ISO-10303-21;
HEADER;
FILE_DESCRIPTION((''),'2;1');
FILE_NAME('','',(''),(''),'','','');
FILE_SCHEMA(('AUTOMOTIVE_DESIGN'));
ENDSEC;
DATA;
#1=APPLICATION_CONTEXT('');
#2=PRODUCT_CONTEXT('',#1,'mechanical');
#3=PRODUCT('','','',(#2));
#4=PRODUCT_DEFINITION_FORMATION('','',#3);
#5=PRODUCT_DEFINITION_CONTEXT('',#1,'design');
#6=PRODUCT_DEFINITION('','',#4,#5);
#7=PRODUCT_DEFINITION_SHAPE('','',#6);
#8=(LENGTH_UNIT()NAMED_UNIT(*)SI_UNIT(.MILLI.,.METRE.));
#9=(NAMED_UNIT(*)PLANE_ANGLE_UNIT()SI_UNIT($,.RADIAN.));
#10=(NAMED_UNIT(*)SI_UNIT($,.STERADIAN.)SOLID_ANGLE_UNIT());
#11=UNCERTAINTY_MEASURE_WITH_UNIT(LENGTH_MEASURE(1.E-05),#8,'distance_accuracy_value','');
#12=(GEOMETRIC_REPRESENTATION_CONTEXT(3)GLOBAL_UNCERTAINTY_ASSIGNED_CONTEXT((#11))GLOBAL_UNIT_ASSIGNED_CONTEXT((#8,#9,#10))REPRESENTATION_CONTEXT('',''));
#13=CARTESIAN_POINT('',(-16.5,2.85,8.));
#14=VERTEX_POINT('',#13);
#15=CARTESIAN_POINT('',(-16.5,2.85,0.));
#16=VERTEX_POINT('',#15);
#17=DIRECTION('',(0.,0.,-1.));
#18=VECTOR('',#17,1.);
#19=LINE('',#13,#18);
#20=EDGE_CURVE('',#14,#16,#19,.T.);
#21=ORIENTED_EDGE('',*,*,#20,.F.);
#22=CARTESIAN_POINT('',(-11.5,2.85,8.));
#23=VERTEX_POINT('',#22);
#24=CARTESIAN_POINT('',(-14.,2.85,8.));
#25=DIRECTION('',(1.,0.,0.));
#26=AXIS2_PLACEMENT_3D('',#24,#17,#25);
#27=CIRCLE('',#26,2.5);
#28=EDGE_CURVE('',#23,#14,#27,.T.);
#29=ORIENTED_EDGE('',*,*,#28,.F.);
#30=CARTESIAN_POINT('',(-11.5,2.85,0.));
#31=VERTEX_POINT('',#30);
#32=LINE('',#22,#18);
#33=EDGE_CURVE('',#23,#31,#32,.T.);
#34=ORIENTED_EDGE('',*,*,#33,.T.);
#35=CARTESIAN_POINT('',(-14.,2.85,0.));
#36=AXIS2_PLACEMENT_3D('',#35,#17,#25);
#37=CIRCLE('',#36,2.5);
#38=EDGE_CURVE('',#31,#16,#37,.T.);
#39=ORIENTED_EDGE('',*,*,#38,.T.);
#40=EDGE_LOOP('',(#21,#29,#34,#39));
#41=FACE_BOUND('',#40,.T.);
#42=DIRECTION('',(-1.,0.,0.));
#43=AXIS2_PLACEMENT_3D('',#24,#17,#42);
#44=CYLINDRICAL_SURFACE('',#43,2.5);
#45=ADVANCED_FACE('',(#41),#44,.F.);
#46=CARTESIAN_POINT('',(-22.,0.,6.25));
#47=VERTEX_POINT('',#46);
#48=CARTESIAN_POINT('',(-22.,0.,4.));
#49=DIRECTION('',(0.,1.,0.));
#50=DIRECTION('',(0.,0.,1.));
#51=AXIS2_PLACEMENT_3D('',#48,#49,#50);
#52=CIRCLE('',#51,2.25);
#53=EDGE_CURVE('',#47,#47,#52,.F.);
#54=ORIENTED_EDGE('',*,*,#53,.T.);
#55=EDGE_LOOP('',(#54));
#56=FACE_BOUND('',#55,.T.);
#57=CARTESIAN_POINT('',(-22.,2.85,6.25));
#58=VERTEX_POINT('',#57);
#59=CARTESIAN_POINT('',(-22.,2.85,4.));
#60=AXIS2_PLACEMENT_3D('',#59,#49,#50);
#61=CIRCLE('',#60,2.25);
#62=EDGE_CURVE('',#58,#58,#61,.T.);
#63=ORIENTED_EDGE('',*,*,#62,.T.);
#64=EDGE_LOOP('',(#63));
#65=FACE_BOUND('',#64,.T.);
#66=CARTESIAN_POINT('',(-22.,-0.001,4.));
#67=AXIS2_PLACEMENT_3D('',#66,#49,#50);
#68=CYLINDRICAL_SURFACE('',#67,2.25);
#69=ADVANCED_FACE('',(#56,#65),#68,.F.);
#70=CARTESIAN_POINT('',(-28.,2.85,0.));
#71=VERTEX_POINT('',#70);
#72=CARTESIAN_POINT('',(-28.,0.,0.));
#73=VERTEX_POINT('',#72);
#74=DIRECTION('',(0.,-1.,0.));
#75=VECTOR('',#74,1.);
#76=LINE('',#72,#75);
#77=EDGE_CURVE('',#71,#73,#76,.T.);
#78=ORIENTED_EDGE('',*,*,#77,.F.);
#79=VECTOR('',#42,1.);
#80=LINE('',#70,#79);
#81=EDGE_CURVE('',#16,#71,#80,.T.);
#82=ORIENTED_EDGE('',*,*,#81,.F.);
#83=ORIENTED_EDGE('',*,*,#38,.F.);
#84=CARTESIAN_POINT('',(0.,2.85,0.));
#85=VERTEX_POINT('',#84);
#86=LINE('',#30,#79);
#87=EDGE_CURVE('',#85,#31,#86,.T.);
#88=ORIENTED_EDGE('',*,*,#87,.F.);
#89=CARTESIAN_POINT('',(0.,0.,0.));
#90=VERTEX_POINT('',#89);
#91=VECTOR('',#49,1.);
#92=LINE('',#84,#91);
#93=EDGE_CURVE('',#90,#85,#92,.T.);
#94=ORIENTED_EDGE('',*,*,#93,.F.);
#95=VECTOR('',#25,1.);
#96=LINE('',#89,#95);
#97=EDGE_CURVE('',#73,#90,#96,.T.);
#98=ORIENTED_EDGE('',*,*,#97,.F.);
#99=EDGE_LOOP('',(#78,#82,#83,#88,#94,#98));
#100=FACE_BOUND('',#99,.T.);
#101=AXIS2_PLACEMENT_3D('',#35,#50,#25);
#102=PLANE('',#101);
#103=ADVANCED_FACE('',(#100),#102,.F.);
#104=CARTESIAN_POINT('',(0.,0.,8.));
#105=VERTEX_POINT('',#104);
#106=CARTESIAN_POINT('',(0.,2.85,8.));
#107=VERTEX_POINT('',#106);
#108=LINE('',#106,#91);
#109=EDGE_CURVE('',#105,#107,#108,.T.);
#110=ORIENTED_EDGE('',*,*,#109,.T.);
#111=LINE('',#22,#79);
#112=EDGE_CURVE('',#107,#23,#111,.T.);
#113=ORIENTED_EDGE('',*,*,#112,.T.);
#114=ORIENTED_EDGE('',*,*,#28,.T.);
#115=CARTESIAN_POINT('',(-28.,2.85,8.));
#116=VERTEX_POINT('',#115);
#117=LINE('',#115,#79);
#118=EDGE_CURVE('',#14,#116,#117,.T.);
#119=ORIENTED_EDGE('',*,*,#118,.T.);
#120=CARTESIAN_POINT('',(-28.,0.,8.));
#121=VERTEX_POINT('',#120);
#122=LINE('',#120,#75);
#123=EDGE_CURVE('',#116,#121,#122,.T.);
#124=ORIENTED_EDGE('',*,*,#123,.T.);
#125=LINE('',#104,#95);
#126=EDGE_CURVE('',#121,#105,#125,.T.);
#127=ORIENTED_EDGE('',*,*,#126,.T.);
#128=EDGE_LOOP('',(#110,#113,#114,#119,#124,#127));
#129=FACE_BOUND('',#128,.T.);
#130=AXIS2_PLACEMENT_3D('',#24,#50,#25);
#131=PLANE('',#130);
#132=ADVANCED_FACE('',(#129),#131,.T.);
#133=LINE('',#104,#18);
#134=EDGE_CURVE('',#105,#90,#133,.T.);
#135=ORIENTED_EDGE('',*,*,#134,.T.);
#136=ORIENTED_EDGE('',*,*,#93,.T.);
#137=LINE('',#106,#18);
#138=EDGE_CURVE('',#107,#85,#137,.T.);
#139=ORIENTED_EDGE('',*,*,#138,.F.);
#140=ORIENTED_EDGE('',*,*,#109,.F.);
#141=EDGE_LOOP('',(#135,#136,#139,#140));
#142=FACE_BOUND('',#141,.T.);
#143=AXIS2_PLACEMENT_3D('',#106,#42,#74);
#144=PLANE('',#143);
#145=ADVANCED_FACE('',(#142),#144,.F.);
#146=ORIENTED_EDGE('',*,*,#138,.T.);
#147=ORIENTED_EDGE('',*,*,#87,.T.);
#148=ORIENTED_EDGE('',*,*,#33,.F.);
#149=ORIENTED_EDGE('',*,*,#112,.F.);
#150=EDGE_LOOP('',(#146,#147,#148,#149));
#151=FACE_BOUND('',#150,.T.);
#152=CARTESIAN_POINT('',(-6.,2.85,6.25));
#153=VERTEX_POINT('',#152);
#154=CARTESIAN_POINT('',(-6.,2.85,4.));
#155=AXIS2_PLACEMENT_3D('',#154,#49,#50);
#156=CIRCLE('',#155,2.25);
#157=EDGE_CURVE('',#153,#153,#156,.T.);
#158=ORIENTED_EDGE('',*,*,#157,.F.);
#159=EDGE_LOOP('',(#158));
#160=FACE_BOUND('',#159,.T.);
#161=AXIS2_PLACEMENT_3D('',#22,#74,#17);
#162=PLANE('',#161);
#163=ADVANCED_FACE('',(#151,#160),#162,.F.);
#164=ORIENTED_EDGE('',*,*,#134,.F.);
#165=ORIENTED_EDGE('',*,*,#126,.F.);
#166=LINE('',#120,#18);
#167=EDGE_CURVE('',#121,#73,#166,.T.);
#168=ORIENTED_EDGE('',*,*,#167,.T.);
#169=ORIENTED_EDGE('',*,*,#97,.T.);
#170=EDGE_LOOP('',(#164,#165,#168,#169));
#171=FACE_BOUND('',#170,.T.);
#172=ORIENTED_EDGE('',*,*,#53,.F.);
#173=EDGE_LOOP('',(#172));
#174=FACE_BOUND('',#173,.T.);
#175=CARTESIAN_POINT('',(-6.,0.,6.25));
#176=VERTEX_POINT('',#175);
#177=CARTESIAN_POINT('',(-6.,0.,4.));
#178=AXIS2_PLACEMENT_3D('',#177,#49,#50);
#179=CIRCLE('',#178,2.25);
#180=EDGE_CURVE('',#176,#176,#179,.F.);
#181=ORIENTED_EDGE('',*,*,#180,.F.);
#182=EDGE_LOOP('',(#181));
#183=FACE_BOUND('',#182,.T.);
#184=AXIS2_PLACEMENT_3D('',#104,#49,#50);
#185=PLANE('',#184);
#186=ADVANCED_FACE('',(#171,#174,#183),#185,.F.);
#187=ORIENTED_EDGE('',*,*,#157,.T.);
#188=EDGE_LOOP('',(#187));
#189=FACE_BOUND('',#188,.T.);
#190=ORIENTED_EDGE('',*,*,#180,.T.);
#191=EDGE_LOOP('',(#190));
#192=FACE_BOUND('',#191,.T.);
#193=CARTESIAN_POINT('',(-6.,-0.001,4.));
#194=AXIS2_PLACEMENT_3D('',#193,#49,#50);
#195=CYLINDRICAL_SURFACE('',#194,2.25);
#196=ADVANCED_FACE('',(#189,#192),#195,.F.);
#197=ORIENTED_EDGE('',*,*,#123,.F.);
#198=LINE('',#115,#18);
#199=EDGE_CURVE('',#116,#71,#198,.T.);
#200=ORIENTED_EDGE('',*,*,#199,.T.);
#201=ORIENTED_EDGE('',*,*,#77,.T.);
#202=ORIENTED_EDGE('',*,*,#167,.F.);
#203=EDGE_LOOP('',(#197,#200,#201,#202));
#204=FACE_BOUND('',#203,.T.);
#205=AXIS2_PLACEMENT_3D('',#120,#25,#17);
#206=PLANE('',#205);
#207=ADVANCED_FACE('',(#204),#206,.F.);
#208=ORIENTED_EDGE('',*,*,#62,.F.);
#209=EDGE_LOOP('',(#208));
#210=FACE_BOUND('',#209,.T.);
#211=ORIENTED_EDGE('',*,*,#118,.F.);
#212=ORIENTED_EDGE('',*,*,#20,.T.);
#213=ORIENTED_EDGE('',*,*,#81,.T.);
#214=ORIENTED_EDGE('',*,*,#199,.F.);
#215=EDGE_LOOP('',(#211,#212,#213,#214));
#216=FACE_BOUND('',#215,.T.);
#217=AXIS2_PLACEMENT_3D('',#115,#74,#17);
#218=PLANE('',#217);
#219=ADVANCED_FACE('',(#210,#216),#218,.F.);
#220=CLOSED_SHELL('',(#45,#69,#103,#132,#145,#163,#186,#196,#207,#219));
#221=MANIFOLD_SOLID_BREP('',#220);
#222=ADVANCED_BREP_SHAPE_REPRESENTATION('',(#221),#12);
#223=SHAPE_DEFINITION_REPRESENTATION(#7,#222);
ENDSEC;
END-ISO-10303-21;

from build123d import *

# Parameters (mm, degrees)
BOSS_EXTRUDE1_DEPTH = 8
CUT_EXTRUDE1_REACH  = 31.26
SKETCH2_R           = 2.25


with BuildPart() as part:
    # Sketch1 → Boss-Extrude1 (new body)
    with BuildSketch(Plane.XY):
        with BuildLine():
            Line((0, 0), (-28, 0))
            Line((-28, 0), (-28, 2.85))
            Line((-28, 2.85), (-16.5, 2.85))
            ThreePointArc((-16.5, 2.85), (-14, 0.35), (-11.5, 2.85))
            Line((-11.5, 2.85), (0, 2.85))
            Line((0, 2.85), (0, 0))
        make_face()
    extrude(amount=BOSS_EXTRUDE1_DEPTH)

    # Sketch2 → Cut-Extrude1 (cut, up to next)
    with BuildSketch(Plane(origin=(0, 2.85, 0), x_dir=(1, 0, 0), z_dir=(0, 1, 0)), mode=Mode.PRIVATE) as cut_extrude1_sk1:
        with Locations(Location((-22, -4, 0), (0, 0, 270))):
            Circle(SKETCH2_R)
    cut_extrude1_tool1 = extrude(cut_extrude1_sk1.sketch, amount=-CUT_EXTRUDE1_REACH, mode=Mode.PRIVATE) & part.part
    # Sketch2 → Cut-Extrude1 (cut, up to next)
    with BuildSketch(Plane(origin=(0, 2.85, 0), x_dir=(1, 0, 0), z_dir=(0, 1, 0)), mode=Mode.PRIVATE) as cut_extrude1_sk2:
        with Locations(Location((-6, -4, 0), (0, 0, 270))):
            Circle(SKETCH2_R)
    cut_extrude1_tool2 = extrude(cut_extrude1_sk2.sketch, amount=-CUT_EXTRUDE1_REACH, mode=Mode.PRIVATE) & part.part
    add(cut_extrude1_tool1.solids().sort_by_distance((-22, 2.85, 4))[0], mode=Mode.SUBTRACT)
    add(cut_extrude1_tool2.solids().sort_by_distance((-6, 2.85, 4))[0], mode=Mode.SUBTRACT)


solid = part.part
